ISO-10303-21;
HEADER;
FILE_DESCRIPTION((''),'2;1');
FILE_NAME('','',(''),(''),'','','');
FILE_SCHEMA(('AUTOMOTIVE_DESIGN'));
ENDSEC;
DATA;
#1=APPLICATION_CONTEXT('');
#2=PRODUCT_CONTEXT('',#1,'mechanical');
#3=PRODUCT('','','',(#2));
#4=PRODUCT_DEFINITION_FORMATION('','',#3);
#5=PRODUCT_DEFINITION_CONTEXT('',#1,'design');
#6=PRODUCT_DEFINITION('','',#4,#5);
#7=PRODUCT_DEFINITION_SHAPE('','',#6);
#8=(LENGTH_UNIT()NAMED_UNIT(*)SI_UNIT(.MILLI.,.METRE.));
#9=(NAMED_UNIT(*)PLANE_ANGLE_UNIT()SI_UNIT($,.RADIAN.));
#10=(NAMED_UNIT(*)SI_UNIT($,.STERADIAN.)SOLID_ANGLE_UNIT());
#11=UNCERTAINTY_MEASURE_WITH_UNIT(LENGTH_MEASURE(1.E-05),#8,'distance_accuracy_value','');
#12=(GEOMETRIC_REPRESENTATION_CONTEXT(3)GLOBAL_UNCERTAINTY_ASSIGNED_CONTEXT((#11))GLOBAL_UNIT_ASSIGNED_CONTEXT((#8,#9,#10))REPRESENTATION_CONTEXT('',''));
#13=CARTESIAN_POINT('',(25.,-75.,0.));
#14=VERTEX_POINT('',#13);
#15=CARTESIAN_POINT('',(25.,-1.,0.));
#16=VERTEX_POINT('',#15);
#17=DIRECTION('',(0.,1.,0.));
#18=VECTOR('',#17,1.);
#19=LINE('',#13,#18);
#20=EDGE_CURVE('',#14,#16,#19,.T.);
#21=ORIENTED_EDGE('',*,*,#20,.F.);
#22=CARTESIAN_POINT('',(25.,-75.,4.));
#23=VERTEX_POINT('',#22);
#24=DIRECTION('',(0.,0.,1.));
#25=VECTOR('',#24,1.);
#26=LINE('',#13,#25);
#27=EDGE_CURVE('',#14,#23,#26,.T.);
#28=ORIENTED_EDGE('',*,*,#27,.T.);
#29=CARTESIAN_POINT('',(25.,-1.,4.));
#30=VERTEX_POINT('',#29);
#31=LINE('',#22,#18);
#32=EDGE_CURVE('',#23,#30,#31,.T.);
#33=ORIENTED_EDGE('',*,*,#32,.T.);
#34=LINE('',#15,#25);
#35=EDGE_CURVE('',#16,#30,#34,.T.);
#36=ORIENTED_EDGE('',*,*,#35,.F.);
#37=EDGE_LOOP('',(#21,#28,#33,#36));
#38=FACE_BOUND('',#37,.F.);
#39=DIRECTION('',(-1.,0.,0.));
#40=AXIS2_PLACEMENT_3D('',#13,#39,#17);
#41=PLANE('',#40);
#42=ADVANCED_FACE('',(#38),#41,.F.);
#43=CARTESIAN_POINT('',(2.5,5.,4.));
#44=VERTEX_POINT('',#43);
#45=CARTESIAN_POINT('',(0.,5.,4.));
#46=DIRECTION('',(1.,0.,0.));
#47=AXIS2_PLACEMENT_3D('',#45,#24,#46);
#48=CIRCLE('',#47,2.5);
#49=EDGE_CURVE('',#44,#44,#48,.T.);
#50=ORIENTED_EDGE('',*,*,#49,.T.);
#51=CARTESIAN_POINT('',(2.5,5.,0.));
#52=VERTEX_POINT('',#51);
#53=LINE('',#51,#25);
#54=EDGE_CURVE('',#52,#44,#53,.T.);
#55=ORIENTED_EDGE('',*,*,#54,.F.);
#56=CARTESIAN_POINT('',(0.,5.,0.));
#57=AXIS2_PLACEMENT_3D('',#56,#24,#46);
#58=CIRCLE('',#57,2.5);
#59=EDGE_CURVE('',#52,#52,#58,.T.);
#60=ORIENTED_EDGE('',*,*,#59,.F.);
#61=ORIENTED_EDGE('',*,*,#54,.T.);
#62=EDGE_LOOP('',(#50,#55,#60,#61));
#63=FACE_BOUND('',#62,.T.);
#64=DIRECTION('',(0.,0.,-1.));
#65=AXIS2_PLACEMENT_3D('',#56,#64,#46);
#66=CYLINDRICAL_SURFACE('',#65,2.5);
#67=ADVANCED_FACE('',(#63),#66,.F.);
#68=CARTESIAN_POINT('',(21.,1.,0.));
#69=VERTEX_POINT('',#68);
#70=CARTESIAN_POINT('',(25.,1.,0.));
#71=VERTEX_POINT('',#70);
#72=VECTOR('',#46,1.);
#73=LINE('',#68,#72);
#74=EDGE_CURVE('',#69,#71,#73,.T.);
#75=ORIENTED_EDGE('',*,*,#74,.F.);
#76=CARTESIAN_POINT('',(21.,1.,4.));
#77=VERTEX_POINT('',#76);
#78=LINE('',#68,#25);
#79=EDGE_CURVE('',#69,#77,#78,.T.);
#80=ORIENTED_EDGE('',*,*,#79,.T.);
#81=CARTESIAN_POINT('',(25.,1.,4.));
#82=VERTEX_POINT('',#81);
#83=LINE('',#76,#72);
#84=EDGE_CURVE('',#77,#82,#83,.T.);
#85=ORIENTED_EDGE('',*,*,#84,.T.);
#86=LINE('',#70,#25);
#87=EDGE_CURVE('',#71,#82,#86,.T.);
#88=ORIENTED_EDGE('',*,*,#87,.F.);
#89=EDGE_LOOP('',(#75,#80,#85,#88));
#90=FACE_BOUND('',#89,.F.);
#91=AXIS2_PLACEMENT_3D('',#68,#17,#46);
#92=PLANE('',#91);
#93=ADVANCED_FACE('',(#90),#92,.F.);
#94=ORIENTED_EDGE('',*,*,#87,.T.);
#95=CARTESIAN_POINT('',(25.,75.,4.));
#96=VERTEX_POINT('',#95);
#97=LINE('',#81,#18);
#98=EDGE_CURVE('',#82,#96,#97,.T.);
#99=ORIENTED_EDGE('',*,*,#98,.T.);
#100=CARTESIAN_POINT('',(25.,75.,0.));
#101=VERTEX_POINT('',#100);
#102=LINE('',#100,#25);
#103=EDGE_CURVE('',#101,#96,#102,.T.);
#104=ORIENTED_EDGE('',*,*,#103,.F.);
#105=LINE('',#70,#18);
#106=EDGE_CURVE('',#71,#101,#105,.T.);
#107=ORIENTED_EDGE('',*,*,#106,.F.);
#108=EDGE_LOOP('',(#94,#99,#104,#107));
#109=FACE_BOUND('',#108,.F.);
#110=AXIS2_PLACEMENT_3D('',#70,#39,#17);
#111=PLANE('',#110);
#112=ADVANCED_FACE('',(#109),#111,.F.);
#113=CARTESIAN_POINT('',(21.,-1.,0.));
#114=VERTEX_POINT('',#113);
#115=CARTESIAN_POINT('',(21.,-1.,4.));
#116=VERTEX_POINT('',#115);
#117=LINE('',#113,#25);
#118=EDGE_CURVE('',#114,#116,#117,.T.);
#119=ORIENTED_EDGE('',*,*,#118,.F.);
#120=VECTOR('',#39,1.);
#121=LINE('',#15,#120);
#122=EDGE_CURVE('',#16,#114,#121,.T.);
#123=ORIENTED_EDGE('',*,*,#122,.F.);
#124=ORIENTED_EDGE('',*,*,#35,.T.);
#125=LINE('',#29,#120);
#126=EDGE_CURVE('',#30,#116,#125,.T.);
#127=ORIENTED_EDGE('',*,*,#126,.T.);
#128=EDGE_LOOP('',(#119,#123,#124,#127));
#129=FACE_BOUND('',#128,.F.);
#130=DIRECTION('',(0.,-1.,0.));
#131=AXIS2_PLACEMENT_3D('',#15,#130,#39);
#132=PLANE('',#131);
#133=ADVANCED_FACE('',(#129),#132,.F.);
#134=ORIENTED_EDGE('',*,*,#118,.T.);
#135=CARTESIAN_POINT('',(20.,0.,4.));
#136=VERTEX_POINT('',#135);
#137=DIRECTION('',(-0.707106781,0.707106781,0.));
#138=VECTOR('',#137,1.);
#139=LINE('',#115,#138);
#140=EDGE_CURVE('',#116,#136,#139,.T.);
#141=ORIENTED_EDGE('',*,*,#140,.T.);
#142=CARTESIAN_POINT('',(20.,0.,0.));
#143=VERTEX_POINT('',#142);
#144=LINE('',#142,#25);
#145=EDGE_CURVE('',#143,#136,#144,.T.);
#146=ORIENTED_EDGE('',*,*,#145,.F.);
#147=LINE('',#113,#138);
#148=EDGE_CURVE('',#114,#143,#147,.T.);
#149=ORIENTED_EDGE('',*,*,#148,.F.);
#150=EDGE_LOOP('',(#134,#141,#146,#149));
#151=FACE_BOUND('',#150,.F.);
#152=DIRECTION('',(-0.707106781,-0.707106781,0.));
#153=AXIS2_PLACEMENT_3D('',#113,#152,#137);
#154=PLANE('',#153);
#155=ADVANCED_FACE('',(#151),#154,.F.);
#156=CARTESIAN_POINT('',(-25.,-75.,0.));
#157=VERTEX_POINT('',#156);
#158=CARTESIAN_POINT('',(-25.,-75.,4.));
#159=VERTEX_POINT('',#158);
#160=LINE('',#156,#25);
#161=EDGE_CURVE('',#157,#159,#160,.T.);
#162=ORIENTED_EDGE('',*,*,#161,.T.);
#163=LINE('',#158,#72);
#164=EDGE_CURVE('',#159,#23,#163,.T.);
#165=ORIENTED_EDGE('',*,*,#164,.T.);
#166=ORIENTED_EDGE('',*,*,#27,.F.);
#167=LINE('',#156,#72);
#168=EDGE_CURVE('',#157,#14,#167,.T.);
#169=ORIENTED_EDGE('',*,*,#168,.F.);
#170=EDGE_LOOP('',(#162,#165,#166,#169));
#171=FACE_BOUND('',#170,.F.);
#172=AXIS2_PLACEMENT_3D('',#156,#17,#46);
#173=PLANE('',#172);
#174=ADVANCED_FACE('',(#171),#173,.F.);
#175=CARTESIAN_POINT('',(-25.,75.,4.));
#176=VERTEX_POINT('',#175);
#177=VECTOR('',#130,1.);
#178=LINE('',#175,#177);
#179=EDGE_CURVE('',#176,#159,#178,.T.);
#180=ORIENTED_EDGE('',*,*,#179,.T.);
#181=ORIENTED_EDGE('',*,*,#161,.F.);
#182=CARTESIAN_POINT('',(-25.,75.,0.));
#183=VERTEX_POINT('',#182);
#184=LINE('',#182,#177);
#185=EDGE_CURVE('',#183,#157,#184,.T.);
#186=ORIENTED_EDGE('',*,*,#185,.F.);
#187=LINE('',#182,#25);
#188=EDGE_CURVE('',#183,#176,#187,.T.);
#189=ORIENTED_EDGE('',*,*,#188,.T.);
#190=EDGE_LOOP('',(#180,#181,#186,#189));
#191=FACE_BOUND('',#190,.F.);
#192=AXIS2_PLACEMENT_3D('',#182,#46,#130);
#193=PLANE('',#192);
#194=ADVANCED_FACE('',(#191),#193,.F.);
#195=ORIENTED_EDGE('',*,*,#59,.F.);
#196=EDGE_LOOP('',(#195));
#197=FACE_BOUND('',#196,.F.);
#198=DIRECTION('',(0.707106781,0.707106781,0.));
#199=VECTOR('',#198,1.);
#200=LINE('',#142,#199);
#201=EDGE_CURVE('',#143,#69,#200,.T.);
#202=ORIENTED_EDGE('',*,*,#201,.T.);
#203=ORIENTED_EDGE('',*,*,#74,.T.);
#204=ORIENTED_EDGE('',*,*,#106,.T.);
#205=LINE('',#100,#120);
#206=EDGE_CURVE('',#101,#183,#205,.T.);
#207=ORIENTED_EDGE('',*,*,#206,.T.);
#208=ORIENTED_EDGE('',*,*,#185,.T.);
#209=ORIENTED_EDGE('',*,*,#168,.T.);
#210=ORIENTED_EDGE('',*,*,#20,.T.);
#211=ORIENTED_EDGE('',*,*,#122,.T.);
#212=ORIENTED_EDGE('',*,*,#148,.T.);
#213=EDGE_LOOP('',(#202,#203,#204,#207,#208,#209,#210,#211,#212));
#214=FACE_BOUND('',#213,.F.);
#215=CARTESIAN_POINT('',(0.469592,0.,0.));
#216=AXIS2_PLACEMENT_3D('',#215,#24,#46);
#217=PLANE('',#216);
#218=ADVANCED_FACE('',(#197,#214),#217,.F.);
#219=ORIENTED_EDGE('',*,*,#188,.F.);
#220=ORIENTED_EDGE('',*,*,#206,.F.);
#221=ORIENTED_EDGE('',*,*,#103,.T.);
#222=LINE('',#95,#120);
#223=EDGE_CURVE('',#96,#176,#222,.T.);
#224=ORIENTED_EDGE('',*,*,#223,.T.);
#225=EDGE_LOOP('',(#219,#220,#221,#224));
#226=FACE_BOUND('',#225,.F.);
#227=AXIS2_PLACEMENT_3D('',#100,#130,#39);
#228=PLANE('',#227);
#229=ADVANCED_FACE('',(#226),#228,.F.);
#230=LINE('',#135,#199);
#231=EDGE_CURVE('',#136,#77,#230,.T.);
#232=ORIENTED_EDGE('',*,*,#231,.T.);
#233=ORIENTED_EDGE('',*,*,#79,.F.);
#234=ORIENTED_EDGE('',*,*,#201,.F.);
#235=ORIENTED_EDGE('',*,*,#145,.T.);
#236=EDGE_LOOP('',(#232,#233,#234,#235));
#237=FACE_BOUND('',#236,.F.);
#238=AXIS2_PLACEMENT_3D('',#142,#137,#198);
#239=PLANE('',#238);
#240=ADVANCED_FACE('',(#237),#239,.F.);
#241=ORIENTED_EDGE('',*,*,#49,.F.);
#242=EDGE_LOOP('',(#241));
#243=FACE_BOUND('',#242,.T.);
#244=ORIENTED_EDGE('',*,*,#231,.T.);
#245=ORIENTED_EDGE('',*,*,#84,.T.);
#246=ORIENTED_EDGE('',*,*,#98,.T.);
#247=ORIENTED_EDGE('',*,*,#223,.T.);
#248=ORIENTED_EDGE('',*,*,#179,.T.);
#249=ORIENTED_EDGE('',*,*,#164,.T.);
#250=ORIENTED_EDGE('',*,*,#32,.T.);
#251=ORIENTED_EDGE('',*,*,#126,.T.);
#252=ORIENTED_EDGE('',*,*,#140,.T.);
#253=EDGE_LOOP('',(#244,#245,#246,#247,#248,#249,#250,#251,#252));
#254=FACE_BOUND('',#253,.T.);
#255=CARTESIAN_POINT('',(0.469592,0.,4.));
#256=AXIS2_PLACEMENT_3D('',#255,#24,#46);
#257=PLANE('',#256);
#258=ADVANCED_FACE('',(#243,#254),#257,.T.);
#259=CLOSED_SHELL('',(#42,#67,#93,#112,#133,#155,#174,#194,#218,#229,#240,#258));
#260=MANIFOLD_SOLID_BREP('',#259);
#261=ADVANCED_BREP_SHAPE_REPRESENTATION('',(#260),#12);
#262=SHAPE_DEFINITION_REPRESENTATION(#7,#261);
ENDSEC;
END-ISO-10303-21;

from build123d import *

# Parameters (mm, degrees)
F0_R     = 2.5
F1_DEPTH = 4


with BuildPart() as f1:
    # F0 (on Top) → F1 (new body)
    with BuildSketch(Plane.XY):
        Polygon((-25, -75), (25, -75), (25, -1), (21, -1), (20, 0), (21, 1), (25, 1), (25, 75), (-25, 75), align=None)
        with Locations((0, 5)):
            Circle(F0_R, mode=Mode.SUBTRACT)
    extrude(amount=F1_DEPTH)


solid = f1.part
